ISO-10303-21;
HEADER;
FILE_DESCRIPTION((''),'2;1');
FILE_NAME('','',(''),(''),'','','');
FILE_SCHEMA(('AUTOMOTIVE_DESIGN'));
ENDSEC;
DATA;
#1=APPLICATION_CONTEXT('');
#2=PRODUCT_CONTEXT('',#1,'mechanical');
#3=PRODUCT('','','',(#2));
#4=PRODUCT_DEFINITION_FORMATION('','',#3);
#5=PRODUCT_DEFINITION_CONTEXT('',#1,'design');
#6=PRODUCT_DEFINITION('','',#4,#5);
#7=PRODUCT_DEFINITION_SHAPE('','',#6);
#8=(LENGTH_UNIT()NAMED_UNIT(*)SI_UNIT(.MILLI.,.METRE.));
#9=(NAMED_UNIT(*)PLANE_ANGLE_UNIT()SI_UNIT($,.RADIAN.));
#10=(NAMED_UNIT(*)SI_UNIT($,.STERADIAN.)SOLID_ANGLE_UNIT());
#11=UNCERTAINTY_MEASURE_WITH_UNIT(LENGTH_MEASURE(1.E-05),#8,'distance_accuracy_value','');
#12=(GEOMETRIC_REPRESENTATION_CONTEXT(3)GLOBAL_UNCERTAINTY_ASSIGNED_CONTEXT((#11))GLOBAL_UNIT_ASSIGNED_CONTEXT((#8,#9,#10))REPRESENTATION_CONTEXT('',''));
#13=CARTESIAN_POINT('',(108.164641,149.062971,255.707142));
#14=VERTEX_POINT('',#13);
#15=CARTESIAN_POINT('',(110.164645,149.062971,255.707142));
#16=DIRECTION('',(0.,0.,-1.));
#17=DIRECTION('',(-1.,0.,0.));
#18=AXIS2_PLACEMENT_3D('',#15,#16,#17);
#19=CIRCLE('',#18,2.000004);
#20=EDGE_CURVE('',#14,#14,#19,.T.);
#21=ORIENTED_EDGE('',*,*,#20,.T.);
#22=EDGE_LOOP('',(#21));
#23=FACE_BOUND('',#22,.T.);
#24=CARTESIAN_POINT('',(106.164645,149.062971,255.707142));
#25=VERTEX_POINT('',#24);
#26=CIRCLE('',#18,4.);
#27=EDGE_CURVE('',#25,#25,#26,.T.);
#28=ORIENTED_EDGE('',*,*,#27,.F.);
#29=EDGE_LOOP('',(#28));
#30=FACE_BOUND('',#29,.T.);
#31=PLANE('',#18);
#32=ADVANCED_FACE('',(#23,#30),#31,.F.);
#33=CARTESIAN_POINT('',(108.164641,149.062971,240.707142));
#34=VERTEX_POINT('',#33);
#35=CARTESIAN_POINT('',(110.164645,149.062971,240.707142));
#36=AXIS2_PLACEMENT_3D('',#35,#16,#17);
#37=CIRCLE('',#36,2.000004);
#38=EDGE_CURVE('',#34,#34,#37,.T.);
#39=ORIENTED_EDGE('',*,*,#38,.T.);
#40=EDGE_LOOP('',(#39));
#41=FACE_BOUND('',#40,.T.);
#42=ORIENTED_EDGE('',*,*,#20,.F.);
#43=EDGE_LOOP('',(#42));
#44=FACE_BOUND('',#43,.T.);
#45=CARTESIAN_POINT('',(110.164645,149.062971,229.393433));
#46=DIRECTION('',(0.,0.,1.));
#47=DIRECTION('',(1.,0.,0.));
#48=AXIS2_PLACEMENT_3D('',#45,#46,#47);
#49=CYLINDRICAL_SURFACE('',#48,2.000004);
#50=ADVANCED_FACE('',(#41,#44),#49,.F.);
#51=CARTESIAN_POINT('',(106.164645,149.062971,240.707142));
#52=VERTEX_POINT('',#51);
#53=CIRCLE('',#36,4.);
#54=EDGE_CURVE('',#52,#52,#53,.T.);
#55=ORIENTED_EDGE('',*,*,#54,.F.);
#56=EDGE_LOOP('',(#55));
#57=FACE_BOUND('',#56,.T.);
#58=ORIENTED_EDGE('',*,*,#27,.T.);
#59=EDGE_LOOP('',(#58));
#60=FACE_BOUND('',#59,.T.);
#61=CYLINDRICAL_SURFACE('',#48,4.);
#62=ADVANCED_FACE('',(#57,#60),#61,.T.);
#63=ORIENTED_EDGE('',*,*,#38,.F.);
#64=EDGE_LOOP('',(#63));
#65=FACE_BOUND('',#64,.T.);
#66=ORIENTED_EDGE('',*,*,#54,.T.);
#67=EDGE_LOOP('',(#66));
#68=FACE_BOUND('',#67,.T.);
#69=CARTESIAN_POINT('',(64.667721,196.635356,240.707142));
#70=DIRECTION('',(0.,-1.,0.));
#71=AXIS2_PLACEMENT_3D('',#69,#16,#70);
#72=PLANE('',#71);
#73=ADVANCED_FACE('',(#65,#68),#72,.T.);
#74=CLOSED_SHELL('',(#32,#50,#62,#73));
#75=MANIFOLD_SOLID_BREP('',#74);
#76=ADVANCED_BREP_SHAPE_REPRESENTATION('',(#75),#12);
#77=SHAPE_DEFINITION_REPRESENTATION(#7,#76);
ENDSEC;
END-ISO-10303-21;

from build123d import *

# Parameters (mm, degrees)
SKETCH1_R           = 4
SKETCH1_R_2         = 2.00000381
BOSS_EXTRUDE1_DEPTH = 15


with BuildPart() as part:
    # Sketch1 → Boss-Extrude1 (new body)
    with BuildSketch(Plane(origin=(0, 0, 255.707141652), x_dir=(-1, 0, 0), z_dir=(0, 0, -1))):
        with Locations((-110.164644693, 149.062971337)):
            Circle(SKETCH1_R)
        with Locations((-110.164644693, 149.062971337)):
            Circle(SKETCH1_R_2, mode=Mode.SUBTRACT)
    extrude(amount=BOSS_EXTRUDE1_DEPTH)


solid = part.part
